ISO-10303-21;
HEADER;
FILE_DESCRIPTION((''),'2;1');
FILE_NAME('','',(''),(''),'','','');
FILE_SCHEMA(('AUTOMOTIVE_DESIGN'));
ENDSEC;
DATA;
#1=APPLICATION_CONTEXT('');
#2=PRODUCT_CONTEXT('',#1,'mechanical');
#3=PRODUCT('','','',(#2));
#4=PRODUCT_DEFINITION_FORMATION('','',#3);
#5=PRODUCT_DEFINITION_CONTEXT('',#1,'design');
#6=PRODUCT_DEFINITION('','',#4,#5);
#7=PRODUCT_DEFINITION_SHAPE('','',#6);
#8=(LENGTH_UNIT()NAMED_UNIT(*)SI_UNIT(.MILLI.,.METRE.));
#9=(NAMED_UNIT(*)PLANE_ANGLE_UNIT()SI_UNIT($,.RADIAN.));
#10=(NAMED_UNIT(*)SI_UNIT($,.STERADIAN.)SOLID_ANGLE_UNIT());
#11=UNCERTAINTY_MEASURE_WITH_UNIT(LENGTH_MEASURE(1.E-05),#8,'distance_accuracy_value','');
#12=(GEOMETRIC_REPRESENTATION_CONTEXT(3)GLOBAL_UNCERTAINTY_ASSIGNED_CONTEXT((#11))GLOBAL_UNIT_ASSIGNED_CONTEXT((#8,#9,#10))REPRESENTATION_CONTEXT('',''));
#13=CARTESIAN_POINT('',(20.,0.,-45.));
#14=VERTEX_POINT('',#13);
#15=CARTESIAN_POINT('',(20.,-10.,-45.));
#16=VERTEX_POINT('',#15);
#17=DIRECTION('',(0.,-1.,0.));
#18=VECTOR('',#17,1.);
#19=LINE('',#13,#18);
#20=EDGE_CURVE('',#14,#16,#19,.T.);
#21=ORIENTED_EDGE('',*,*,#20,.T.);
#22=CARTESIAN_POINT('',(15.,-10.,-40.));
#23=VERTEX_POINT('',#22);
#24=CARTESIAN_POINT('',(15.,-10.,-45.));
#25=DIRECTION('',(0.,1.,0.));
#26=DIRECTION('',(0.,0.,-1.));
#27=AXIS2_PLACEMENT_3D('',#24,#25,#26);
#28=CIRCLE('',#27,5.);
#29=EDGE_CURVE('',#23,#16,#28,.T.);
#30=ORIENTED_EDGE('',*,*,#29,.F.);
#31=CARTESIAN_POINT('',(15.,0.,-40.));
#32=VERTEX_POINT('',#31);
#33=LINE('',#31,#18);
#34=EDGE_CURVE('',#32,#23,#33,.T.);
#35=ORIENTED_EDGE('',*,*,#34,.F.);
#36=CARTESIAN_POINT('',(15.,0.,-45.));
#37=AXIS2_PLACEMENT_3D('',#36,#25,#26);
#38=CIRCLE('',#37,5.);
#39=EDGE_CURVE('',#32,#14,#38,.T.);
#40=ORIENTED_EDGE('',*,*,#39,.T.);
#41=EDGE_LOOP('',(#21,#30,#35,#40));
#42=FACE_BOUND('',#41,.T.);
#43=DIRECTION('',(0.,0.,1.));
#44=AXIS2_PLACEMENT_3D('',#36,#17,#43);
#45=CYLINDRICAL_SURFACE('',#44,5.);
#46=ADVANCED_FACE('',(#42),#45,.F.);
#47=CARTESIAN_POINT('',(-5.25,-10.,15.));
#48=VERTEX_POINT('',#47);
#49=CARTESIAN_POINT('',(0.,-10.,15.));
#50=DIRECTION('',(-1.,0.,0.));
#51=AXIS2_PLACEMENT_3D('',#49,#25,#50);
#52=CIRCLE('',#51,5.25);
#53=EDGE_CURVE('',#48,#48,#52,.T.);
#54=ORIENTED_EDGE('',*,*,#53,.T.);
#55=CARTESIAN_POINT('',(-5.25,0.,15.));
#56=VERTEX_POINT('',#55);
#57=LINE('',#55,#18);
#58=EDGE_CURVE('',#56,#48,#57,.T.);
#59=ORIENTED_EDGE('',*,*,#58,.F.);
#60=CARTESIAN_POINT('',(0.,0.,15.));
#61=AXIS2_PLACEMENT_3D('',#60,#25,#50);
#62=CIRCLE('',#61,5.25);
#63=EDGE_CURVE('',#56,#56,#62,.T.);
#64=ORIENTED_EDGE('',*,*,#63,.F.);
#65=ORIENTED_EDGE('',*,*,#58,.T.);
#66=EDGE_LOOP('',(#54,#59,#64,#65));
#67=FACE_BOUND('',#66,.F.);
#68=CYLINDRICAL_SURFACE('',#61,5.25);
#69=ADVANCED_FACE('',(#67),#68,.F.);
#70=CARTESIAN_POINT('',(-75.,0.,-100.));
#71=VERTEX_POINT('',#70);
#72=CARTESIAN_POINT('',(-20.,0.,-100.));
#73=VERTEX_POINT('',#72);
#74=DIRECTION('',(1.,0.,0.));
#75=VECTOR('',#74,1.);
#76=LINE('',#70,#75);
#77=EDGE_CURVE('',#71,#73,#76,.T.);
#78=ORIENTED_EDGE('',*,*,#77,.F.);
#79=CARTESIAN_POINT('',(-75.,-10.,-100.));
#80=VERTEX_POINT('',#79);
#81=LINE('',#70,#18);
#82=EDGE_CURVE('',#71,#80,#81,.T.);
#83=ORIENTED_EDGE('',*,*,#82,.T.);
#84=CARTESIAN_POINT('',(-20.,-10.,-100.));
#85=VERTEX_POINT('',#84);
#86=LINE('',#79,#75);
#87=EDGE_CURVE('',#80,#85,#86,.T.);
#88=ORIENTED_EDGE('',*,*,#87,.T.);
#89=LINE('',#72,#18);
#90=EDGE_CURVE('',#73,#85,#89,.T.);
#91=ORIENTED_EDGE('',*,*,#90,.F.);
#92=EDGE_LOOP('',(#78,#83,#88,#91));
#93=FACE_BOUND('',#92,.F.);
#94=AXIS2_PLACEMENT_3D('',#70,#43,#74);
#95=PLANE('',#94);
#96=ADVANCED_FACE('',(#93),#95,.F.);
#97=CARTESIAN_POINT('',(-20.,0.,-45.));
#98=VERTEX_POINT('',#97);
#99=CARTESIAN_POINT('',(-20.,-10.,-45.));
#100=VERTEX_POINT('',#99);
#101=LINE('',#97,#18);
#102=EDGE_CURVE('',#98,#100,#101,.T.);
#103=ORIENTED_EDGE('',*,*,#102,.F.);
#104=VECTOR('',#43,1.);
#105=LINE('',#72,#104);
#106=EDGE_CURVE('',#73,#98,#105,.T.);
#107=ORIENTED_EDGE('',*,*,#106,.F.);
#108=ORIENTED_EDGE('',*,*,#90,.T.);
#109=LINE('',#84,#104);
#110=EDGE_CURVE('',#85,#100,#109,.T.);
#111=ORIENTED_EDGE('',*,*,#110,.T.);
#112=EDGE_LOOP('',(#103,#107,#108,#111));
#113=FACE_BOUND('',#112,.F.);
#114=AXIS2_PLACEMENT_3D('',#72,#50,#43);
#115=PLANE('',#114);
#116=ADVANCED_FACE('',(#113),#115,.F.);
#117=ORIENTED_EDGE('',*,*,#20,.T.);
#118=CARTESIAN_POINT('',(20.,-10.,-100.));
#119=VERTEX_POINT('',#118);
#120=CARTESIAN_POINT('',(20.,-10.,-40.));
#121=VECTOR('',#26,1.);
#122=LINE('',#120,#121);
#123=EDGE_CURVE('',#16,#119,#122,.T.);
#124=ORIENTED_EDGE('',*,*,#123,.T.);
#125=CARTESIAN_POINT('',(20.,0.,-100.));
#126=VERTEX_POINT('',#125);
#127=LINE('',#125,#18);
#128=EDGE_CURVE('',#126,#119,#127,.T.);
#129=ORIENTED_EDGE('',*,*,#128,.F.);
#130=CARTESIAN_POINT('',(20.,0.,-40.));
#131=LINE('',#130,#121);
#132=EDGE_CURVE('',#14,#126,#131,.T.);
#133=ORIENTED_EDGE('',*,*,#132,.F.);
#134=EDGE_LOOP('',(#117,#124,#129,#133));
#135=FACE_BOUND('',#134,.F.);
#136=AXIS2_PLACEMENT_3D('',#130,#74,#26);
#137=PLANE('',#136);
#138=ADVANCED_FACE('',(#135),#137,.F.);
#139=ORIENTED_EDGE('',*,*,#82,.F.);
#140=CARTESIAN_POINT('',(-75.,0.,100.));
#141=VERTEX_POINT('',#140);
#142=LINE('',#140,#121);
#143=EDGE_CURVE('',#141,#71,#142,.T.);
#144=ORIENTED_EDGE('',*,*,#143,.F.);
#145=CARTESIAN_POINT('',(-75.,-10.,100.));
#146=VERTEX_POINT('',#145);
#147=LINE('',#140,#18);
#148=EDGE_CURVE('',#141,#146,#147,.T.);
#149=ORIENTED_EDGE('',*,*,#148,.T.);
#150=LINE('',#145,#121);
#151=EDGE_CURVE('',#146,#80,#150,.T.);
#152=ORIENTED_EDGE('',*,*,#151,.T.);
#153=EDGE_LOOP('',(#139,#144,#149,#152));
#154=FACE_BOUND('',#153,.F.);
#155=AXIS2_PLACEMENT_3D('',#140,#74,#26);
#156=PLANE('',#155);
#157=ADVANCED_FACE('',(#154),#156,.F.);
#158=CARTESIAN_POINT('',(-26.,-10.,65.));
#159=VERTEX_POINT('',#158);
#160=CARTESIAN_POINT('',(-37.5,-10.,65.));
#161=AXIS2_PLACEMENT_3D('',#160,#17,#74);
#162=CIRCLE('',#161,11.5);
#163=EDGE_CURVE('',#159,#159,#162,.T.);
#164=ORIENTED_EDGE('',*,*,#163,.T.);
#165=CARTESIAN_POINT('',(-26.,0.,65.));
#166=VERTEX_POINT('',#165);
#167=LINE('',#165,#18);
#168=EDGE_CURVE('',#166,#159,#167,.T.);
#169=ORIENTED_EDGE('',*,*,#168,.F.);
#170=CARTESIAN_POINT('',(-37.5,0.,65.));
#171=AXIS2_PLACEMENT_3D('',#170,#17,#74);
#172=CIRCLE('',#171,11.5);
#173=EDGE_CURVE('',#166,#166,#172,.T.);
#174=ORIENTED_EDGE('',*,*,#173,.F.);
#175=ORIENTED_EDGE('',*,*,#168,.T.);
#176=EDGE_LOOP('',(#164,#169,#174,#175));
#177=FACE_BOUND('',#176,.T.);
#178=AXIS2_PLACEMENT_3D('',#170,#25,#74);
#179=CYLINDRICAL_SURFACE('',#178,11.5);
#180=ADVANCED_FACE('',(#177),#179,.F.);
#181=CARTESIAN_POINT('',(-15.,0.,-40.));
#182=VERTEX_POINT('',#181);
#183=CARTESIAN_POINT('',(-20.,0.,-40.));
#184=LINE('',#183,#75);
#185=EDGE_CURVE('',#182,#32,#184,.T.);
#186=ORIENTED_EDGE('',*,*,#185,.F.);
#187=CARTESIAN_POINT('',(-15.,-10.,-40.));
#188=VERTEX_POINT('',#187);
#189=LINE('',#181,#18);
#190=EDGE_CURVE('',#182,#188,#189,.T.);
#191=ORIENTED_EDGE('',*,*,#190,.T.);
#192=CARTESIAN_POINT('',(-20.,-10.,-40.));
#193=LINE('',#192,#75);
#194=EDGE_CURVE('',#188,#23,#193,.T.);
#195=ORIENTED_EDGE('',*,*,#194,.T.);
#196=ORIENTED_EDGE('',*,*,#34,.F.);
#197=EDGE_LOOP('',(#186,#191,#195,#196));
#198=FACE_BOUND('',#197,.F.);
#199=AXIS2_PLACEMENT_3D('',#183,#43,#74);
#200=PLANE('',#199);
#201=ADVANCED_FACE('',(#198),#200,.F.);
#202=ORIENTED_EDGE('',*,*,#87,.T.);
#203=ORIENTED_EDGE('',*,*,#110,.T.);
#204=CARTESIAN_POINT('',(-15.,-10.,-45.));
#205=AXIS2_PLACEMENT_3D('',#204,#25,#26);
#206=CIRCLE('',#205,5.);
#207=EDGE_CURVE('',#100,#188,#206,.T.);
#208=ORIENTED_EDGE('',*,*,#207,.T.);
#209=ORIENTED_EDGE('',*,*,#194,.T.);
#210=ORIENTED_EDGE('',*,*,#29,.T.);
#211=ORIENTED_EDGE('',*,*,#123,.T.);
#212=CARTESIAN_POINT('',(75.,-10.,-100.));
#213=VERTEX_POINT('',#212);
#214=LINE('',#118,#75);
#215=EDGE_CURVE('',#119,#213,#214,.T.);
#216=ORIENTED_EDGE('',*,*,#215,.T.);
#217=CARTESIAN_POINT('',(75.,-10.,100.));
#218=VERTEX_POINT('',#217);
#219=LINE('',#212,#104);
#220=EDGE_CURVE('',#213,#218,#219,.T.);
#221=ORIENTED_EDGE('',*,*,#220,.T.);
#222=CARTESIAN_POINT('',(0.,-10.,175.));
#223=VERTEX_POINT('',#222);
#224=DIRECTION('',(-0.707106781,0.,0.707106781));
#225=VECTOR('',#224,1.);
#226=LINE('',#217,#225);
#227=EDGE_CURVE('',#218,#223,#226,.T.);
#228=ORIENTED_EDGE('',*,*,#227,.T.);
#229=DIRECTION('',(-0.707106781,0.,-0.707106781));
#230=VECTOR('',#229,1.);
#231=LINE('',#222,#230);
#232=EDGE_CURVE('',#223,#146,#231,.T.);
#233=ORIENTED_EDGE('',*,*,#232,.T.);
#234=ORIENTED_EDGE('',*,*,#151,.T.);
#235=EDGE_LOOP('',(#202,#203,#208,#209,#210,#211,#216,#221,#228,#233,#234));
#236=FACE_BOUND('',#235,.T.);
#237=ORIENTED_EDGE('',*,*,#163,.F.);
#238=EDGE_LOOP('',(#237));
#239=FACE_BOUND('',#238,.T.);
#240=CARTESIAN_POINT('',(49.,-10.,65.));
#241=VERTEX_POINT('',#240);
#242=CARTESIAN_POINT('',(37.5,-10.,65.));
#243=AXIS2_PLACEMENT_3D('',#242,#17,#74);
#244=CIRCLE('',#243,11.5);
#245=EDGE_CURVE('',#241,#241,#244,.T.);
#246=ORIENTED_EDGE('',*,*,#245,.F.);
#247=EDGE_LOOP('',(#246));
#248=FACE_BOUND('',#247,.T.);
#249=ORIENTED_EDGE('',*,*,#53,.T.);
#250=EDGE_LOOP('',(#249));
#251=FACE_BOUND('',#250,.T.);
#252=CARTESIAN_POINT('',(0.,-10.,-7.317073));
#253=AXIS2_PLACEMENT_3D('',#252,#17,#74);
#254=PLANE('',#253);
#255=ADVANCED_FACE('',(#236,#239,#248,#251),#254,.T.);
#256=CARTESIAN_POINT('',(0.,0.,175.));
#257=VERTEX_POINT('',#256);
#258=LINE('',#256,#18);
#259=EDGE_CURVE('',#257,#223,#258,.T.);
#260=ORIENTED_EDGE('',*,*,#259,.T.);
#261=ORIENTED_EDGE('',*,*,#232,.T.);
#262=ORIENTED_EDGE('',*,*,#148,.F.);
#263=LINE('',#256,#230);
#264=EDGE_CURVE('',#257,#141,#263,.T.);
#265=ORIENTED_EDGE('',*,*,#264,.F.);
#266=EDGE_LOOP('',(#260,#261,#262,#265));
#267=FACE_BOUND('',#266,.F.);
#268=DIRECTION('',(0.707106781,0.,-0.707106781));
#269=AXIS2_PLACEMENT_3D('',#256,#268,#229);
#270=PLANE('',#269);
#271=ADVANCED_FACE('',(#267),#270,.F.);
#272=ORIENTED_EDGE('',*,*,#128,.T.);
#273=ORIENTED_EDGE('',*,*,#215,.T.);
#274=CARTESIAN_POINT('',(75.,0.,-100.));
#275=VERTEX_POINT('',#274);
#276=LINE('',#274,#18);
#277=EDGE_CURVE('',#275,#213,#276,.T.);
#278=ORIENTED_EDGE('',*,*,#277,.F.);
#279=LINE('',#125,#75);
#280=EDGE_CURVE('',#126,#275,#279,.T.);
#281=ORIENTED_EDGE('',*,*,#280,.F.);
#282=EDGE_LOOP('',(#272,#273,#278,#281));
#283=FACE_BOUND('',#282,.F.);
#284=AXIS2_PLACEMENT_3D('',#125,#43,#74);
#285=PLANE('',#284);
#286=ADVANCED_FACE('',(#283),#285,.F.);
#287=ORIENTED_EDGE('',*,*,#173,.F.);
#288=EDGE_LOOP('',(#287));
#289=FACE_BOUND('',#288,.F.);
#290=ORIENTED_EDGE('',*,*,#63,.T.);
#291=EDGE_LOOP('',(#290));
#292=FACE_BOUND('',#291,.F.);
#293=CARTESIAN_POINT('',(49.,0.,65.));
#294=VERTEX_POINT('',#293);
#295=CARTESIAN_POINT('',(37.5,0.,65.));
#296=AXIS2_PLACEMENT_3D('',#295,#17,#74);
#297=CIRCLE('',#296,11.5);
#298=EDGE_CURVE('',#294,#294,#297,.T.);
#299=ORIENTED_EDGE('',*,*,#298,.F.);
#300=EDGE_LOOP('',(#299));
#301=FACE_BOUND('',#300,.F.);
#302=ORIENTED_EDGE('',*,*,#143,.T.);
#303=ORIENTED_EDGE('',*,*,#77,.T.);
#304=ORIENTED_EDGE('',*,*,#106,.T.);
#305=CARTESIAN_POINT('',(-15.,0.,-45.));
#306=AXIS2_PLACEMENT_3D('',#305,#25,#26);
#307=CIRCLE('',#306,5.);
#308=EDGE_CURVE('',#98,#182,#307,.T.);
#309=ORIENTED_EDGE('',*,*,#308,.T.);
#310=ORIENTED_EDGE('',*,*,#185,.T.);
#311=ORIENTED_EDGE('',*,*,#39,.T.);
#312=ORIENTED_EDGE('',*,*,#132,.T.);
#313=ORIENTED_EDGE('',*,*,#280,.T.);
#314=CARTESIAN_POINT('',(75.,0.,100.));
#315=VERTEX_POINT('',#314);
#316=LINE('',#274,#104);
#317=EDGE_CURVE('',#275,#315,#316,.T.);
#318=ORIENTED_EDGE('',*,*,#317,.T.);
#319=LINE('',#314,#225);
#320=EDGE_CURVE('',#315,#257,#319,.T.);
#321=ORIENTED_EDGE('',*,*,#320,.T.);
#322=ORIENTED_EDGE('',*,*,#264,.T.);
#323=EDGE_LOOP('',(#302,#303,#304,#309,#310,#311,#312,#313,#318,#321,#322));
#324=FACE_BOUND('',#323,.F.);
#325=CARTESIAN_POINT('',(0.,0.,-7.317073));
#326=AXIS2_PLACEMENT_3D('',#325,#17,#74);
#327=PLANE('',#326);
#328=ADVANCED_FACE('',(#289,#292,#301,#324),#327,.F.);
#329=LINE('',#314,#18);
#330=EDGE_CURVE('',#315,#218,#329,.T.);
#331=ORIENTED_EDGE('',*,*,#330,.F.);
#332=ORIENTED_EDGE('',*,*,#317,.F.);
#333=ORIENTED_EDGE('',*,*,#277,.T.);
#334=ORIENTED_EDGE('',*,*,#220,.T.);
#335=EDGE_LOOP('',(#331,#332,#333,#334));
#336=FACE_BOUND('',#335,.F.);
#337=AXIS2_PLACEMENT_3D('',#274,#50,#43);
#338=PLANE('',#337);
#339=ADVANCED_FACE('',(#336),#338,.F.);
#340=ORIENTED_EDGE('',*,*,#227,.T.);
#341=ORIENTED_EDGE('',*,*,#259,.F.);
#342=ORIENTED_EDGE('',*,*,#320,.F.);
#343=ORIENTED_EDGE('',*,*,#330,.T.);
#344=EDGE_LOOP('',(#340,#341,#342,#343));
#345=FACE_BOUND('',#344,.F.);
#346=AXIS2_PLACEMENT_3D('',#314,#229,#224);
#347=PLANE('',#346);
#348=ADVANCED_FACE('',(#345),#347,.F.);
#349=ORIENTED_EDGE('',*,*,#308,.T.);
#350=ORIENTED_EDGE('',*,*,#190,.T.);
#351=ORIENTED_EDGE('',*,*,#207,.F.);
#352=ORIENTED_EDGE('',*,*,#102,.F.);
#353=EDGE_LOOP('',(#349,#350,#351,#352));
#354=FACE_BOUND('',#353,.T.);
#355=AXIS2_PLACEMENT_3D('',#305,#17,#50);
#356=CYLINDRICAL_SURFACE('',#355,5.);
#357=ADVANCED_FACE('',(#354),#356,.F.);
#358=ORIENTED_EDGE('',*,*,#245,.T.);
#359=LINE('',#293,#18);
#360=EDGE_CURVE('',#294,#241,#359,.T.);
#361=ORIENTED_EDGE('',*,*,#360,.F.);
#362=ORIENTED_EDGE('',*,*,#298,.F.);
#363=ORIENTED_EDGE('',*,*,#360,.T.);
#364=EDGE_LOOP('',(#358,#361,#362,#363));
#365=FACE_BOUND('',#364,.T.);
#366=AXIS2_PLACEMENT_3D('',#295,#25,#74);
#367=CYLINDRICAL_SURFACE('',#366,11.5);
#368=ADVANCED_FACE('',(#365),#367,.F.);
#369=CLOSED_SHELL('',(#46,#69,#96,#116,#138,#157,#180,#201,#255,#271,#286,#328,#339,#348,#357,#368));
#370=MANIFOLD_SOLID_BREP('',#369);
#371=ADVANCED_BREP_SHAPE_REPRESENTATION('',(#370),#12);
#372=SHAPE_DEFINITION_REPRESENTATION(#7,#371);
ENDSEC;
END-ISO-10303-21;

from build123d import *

# Parameters (mm, degrees)
F0_R     = 11.5
F1_DEPTH = 10
F2_R     = 5
F3_R     = 5.25
F4_DEPTH = 10.001


with BuildPart() as f1:
    # F0 (on Front) → F1 (new body)
    with BuildSketch(Plane.XZ):
        Polygon((75, -100), (75, 100), (0, 100), (-75, 100), (-75, -100), (-20, -100), (-20, -40), (20, -40), (20, -100), align=None)
        with Locations((-37.5, 65)):
            Circle(F0_R, mode=Mode.SUBTRACT)
        with Locations((37.5, 65)):
            Circle(F0_R, mode=Mode.SUBTRACT)
        Polygon((0, 100), (75, 100), (0, 175), align=None)
        Polygon((-75, 100), (0, 100), (0, 175), align=None)
    extrude(amount=F1_DEPTH)

    # F2
    f2_edges = [f1.edges().sort_by_distance(p)[0] for p in [
        (-20, -5, -40),
        (20, -5, -40),
    ]]
    fillet(f2_edges, radius=F2_R)

    # F3 (on face) → F4 (cut, through all)
    with BuildSketch(Plane(origin=(0, 0, 0), x_dir=(-1, 0, 0), z_dir=(0, 1, 0))):
        with Locations((0, 15)):
            Circle(F3_R)
    extrude(amount=-F4_DEPTH, mode=Mode.SUBTRACT)


solid = f1.part
